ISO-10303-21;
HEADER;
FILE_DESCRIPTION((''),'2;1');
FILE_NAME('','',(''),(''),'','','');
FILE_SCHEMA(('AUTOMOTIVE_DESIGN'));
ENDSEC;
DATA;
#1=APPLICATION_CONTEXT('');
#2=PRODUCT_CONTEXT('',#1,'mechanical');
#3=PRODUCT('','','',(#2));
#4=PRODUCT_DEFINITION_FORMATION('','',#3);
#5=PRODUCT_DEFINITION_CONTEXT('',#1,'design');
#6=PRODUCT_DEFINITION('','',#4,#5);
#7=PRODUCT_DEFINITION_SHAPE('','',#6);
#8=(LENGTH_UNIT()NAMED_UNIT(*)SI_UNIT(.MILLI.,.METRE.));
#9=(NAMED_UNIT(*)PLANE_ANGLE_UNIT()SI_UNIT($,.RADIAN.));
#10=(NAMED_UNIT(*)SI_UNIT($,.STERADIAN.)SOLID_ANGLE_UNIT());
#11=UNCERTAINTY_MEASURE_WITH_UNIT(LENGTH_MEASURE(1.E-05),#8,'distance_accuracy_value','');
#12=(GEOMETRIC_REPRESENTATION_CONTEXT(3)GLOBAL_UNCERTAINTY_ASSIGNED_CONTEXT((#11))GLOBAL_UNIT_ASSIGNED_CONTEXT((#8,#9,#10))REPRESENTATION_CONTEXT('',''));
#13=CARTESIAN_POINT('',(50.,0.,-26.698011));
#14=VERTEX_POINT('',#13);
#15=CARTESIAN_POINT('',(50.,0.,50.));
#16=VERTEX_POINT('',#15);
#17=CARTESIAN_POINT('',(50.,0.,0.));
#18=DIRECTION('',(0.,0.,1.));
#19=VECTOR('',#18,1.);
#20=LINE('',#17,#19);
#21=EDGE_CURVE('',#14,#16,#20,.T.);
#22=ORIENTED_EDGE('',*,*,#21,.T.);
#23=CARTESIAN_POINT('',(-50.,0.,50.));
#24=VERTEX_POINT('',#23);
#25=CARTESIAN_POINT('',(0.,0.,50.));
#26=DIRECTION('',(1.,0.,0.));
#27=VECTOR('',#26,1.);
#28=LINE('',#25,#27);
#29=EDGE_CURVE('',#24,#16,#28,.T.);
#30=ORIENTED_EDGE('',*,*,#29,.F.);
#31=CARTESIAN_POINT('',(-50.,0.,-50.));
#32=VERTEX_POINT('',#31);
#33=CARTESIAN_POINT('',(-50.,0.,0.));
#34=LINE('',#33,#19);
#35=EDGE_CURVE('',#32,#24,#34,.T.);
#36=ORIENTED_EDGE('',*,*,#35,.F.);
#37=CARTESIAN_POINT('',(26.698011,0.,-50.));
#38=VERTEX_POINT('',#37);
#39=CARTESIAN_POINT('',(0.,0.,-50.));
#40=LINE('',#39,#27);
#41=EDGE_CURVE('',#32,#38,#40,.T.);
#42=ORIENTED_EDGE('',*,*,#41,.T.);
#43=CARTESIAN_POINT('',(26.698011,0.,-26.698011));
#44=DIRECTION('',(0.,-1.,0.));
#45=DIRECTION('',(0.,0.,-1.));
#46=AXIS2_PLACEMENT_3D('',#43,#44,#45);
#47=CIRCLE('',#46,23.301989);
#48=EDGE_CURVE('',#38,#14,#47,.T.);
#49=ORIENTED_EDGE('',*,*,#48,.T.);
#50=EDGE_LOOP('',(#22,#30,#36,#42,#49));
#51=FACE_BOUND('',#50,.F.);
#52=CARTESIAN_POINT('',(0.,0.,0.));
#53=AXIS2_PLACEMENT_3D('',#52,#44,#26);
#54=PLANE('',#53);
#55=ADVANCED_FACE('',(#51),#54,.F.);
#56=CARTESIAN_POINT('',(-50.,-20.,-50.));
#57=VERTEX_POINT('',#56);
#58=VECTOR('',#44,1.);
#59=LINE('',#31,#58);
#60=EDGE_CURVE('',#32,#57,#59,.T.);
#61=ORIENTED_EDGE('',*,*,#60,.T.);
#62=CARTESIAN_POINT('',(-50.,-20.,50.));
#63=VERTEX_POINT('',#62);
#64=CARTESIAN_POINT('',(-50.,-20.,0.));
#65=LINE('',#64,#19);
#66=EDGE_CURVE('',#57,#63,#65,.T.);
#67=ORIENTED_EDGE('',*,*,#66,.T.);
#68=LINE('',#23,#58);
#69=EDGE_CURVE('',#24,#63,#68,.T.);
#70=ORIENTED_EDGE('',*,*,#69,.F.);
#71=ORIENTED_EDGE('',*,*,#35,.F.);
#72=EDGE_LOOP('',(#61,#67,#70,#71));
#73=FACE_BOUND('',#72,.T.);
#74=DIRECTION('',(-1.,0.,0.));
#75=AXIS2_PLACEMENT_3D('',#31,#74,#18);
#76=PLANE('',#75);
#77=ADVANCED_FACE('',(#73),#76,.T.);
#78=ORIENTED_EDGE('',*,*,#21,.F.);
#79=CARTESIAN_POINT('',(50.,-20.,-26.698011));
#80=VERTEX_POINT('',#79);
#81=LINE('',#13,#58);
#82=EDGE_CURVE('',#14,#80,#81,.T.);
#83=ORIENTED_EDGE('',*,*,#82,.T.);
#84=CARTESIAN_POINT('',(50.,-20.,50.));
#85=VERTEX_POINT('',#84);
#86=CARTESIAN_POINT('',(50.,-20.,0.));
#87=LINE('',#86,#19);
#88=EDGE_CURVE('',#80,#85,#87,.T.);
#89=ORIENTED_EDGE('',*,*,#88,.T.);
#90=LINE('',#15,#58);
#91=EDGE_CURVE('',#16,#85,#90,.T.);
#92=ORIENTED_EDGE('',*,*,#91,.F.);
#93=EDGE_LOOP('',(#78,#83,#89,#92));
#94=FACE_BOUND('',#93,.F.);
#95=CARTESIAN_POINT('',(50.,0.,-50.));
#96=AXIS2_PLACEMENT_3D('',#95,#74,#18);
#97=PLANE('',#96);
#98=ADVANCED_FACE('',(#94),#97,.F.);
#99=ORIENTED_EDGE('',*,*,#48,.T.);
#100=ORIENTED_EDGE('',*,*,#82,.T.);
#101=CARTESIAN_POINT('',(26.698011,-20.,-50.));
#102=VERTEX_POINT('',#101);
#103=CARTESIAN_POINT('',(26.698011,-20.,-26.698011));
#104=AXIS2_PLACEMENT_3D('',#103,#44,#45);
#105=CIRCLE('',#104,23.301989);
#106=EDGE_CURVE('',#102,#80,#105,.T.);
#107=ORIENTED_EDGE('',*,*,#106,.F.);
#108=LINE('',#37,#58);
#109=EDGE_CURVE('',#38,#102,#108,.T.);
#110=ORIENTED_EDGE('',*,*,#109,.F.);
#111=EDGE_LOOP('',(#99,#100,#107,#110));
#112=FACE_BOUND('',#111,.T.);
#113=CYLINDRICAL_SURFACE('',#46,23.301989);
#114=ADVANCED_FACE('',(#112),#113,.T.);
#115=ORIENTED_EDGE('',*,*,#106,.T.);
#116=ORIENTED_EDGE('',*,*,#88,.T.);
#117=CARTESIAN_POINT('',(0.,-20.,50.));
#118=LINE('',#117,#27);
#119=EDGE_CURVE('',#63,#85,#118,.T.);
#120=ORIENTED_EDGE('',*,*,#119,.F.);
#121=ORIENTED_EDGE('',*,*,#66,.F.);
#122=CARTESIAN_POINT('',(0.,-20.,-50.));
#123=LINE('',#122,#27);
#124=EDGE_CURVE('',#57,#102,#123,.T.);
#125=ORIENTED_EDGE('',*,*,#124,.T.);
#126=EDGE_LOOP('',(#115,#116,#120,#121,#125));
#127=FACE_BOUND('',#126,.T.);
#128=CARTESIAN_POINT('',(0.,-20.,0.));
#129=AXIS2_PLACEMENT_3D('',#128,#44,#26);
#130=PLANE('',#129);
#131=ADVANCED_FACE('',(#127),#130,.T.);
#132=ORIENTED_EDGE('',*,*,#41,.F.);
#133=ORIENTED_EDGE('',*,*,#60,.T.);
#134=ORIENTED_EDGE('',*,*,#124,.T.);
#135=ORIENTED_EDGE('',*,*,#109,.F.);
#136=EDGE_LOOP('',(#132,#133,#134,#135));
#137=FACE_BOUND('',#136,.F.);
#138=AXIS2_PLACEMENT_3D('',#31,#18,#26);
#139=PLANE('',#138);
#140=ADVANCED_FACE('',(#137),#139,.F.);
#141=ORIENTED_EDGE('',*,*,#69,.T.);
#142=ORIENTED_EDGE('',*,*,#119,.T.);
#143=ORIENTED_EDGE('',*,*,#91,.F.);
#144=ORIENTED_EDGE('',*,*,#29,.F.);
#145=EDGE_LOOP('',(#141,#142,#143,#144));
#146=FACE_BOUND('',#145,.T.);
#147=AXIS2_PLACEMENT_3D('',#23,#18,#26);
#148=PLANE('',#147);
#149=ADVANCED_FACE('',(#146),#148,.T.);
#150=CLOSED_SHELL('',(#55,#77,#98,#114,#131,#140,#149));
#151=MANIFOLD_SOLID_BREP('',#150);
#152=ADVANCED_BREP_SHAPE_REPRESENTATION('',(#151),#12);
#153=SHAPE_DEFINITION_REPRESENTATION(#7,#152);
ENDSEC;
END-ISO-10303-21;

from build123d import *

# Parameters (mm, degrees)
F0_W     = 100
F0_H     = 100
F1_DEPTH = 20
F2_R     = 23.301989
F3_R     = 15.126454
F4_DEPTH = 20


with BuildPart() as f1:
    # F0 (on Front) → F1 (new body)
    with BuildSketch(Plane.XZ):
        Rectangle(F0_W, F0_H)
    extrude(amount=F1_DEPTH)

    # F2
    f2_edges = [f1.edges().sort_by_distance(p)[0] for p in [
        (50, -10, -50),
    ]]
    fillet(f2_edges, radius=F2_R)

    # F3 (on Front) → F4 (join)
    with BuildSketch(Plane.XZ):
        with Locations((24.664735, -23.76237)):
            Circle(F3_R)
    extrude(amount=F4_DEPTH)


solid = f1.part
